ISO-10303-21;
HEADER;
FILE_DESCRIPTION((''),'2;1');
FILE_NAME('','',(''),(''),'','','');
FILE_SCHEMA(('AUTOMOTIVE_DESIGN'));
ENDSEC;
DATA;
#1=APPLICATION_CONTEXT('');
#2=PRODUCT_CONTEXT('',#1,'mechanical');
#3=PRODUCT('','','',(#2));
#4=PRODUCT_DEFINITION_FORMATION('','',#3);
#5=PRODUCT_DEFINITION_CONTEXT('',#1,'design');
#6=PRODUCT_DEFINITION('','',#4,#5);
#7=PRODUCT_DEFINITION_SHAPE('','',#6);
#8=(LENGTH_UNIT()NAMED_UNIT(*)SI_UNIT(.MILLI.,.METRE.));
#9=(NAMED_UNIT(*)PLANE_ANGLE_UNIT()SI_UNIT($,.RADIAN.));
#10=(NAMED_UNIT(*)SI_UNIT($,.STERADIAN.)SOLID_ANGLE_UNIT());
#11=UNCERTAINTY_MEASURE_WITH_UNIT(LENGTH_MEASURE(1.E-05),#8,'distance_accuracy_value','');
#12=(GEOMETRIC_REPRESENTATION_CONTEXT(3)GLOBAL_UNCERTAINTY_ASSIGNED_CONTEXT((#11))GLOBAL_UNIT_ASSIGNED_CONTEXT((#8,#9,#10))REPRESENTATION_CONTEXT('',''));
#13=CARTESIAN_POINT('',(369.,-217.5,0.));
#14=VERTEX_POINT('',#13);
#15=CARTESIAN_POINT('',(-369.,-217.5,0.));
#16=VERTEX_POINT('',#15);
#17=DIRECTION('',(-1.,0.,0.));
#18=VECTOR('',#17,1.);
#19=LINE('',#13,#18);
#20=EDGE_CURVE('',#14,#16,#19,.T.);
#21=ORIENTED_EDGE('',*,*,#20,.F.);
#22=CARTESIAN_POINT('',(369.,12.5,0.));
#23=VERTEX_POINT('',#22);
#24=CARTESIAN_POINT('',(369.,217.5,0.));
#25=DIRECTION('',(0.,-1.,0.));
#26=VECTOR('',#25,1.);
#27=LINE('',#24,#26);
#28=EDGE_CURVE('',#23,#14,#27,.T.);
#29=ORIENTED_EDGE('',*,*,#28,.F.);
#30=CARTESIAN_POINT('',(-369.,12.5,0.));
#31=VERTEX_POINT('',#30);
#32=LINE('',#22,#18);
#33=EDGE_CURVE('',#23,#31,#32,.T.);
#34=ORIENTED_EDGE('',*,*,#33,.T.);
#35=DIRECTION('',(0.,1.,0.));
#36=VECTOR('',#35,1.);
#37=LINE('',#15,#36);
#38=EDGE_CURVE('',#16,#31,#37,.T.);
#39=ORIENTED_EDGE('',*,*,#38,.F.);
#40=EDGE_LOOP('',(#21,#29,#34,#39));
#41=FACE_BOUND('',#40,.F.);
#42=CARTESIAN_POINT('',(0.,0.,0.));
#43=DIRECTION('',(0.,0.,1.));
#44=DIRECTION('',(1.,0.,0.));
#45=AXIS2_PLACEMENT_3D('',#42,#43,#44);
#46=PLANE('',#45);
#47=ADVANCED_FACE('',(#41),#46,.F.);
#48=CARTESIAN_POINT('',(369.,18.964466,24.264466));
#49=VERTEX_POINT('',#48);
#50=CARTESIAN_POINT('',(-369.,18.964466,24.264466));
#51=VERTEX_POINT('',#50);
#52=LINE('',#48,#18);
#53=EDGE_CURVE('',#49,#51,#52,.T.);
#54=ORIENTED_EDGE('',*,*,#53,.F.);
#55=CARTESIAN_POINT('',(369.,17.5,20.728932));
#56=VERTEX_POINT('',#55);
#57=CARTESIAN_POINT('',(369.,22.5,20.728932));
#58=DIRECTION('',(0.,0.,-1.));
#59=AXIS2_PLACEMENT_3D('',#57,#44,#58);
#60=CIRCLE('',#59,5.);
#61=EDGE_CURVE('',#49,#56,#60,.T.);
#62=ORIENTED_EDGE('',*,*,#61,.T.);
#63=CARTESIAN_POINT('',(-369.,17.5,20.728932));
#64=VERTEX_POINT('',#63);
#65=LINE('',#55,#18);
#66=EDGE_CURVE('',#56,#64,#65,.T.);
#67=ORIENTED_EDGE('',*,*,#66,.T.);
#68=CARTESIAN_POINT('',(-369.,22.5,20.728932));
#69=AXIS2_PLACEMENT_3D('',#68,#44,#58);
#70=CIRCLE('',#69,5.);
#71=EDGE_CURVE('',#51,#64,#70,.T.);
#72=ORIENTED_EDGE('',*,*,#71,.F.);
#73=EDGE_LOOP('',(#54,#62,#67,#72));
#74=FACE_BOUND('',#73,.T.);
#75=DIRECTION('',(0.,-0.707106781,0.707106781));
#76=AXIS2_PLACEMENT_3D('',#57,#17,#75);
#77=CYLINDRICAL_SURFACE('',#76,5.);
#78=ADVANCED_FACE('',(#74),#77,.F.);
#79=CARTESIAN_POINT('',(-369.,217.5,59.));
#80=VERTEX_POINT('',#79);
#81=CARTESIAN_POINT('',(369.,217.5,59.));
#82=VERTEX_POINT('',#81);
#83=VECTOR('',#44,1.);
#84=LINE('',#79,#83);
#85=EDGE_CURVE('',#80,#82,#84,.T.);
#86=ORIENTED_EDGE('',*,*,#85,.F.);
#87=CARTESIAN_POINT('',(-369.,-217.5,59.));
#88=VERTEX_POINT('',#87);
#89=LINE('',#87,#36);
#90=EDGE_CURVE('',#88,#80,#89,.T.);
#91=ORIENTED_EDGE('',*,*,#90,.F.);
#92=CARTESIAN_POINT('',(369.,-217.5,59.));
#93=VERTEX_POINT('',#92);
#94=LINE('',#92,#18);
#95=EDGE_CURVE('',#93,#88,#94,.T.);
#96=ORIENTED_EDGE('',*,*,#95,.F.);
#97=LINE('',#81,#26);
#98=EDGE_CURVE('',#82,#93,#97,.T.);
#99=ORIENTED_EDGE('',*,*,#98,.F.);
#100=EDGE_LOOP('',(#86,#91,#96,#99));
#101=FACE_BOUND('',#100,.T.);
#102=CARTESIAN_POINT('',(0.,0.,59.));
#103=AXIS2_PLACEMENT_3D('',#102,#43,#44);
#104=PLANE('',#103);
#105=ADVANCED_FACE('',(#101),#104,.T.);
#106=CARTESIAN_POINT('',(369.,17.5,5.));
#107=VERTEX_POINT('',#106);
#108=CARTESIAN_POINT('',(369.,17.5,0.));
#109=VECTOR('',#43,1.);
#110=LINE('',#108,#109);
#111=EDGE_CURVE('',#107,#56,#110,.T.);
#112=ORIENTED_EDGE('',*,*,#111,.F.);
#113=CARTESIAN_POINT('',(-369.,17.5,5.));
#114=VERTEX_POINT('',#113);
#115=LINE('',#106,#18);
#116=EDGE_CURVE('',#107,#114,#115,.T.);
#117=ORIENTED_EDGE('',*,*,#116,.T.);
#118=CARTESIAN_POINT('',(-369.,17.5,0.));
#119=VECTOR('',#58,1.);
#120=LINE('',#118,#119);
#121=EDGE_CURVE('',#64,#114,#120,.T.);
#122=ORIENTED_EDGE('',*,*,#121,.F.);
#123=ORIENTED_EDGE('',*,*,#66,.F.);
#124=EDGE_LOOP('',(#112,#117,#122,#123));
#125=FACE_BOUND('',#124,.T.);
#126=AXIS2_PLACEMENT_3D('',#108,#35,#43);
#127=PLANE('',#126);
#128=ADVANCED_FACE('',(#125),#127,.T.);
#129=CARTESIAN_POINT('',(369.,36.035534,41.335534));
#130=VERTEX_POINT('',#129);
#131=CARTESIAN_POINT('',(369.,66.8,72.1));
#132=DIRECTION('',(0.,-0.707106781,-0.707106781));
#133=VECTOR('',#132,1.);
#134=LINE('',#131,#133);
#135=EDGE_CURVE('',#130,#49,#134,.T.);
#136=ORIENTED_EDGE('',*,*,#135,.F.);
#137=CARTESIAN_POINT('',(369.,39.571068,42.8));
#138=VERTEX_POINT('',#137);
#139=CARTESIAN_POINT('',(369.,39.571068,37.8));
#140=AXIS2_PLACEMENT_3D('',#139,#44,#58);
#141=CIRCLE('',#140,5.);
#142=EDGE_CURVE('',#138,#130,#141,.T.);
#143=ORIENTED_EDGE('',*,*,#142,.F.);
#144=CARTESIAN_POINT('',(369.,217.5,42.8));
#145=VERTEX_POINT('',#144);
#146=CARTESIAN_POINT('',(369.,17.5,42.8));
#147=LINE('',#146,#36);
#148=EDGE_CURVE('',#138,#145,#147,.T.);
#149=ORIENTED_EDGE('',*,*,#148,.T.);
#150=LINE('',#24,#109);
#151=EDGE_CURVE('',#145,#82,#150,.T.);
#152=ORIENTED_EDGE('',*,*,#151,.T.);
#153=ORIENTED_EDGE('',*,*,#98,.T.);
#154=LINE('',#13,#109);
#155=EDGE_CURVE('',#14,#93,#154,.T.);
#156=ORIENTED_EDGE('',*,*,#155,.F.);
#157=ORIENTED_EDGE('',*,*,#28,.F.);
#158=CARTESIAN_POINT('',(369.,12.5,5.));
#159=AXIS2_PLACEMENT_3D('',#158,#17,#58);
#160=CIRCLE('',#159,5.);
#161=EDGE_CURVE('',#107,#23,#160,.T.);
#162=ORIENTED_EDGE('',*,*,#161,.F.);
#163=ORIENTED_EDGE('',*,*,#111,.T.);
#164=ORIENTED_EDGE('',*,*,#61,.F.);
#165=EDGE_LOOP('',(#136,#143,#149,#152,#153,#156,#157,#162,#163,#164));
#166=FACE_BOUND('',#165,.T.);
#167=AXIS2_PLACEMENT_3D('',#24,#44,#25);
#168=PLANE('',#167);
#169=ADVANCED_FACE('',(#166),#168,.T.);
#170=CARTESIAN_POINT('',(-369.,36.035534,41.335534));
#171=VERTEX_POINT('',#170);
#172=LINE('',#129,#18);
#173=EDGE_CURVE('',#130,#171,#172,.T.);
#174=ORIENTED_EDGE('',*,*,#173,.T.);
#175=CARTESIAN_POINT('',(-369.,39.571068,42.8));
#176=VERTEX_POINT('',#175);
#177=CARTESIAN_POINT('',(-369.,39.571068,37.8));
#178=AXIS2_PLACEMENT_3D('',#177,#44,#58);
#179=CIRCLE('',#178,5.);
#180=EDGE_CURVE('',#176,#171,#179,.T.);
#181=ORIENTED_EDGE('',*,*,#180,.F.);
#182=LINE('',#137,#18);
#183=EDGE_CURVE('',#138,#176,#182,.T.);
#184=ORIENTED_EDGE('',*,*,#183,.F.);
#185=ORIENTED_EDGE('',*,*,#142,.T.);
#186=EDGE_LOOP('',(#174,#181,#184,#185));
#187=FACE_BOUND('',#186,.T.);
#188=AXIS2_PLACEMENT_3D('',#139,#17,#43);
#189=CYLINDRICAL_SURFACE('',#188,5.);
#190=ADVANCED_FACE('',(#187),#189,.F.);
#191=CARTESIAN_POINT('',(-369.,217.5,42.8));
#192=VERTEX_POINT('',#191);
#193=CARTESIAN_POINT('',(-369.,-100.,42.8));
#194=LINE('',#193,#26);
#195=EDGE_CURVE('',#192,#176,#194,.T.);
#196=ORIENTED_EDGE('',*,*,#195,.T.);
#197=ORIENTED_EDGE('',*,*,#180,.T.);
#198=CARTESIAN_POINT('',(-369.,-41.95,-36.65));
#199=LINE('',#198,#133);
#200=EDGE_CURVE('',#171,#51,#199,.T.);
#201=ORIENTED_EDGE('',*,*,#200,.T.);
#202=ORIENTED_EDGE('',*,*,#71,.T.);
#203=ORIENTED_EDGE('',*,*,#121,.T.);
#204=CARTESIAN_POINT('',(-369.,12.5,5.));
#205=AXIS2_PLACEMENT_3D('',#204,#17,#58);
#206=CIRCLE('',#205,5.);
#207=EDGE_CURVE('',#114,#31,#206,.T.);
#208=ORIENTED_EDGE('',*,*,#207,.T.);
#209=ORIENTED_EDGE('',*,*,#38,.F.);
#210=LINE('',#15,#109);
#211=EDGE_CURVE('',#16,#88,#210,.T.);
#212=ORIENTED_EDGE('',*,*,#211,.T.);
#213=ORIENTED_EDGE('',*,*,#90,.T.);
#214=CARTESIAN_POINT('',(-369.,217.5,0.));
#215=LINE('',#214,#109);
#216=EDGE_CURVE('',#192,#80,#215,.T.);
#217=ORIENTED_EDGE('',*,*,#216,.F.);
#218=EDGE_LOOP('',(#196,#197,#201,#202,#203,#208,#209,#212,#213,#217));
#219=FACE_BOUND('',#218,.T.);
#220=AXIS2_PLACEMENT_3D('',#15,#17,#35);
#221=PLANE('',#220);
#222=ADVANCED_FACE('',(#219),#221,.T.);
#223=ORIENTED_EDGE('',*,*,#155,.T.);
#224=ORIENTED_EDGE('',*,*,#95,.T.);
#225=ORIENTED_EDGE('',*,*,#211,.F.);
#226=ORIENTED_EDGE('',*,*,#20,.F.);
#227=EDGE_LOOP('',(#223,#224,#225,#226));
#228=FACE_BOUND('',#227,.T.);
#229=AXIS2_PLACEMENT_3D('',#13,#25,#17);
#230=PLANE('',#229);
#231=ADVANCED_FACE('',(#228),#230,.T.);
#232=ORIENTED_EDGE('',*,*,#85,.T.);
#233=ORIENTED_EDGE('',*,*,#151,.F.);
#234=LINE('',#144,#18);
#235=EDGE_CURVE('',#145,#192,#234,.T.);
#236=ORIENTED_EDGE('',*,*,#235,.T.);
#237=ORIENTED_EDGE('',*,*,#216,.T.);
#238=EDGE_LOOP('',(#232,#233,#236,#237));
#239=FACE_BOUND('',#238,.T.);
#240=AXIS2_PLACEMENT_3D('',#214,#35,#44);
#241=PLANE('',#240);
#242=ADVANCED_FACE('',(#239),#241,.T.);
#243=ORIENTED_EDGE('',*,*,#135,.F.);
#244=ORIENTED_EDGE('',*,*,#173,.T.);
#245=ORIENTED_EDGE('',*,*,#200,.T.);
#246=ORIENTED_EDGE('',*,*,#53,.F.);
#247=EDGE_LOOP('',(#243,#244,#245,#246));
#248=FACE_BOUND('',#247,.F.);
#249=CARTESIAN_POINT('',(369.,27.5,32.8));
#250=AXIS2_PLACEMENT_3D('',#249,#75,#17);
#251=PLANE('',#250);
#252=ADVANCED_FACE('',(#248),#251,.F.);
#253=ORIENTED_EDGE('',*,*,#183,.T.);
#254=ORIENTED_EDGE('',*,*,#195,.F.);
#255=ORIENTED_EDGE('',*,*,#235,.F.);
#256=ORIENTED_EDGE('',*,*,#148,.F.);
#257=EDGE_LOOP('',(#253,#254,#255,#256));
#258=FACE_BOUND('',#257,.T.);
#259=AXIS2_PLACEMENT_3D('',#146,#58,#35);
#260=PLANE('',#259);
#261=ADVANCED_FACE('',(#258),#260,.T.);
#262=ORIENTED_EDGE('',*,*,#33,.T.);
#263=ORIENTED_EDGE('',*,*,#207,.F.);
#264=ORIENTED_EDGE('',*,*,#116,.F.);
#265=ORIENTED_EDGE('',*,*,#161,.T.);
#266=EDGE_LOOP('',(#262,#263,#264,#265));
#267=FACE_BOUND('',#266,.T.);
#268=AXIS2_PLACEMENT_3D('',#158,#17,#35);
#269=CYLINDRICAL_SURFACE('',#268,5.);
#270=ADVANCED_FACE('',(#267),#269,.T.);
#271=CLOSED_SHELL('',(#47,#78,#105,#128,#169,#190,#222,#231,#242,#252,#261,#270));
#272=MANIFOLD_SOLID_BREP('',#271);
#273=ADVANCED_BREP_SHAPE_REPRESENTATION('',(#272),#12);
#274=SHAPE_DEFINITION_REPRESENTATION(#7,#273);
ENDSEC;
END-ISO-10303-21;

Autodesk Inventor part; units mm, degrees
ref_plane "YZ Plane" through (0, 0, 0) normal (1, 0, 0) x (0, 1, 0)
ref_plane "XZ Plane" through (0, 0, 0) normal (0, 1, 0) x (-1, 0, 0)
ref_plane "XY Plane" through (0, 0, 0) normal (0, 0, 1) x (1, 0, 0)
sketch "スケッチ1" plane through (0, 0, 0) normal (0, 0, 1) x (1, 0, 0)
  line L0 (369, -217.5) -> (-369, -217.5)
  line L1 (-369, -217.5) -> (-369, 217.5)
  line L2 (-369, 217.5) -> (369, 217.5)
  line L3 (369, 217.5) -> (369, -217.5)
  line L4 (369, -217.5) -> (-369, 217.5) construction
  line L5 (-369, -217.5) -> (369, 217.5) construction
  point P0 (0, 0)
  dimension "d0" = 738
  dimension "d1" = 435
extrude "押し出し1" add sketch "スケッチ1" along normal blind 59
sketch "スケッチ2" plane through (369, -217.5, 0) normal (1, 0, 0) x (0, 0, -1)
  line L0 (0, 435) -> (-59, 435) projected
  line L1 (-42.8, 435) -> (0, 435)
  line L2 (0, 435) -> (0, 235)
  line L3 (0, 235) -> (-42.8, 235)
  line L4 (-42.8, 235) -> (-42.8, 435)
  line L5 (-59, 0) -> (-59, 435) projected
  point P0 (0, 217.5)
  dimension "d4" = 16.2
  dimension "d5" = 200
extrude "押し出し2" cut sketch "スケッチ2" against normal through all
chamfer "面取り1" distance 20 angle 45 1 edges at (0, 17.5, 42.8)
fillet "フィレット1" radius 5 3 edges at (0, 37.5, 42.8) (0, 17.5, 22.8) (0, 17.5, 0)
properties part number "Display_A"
